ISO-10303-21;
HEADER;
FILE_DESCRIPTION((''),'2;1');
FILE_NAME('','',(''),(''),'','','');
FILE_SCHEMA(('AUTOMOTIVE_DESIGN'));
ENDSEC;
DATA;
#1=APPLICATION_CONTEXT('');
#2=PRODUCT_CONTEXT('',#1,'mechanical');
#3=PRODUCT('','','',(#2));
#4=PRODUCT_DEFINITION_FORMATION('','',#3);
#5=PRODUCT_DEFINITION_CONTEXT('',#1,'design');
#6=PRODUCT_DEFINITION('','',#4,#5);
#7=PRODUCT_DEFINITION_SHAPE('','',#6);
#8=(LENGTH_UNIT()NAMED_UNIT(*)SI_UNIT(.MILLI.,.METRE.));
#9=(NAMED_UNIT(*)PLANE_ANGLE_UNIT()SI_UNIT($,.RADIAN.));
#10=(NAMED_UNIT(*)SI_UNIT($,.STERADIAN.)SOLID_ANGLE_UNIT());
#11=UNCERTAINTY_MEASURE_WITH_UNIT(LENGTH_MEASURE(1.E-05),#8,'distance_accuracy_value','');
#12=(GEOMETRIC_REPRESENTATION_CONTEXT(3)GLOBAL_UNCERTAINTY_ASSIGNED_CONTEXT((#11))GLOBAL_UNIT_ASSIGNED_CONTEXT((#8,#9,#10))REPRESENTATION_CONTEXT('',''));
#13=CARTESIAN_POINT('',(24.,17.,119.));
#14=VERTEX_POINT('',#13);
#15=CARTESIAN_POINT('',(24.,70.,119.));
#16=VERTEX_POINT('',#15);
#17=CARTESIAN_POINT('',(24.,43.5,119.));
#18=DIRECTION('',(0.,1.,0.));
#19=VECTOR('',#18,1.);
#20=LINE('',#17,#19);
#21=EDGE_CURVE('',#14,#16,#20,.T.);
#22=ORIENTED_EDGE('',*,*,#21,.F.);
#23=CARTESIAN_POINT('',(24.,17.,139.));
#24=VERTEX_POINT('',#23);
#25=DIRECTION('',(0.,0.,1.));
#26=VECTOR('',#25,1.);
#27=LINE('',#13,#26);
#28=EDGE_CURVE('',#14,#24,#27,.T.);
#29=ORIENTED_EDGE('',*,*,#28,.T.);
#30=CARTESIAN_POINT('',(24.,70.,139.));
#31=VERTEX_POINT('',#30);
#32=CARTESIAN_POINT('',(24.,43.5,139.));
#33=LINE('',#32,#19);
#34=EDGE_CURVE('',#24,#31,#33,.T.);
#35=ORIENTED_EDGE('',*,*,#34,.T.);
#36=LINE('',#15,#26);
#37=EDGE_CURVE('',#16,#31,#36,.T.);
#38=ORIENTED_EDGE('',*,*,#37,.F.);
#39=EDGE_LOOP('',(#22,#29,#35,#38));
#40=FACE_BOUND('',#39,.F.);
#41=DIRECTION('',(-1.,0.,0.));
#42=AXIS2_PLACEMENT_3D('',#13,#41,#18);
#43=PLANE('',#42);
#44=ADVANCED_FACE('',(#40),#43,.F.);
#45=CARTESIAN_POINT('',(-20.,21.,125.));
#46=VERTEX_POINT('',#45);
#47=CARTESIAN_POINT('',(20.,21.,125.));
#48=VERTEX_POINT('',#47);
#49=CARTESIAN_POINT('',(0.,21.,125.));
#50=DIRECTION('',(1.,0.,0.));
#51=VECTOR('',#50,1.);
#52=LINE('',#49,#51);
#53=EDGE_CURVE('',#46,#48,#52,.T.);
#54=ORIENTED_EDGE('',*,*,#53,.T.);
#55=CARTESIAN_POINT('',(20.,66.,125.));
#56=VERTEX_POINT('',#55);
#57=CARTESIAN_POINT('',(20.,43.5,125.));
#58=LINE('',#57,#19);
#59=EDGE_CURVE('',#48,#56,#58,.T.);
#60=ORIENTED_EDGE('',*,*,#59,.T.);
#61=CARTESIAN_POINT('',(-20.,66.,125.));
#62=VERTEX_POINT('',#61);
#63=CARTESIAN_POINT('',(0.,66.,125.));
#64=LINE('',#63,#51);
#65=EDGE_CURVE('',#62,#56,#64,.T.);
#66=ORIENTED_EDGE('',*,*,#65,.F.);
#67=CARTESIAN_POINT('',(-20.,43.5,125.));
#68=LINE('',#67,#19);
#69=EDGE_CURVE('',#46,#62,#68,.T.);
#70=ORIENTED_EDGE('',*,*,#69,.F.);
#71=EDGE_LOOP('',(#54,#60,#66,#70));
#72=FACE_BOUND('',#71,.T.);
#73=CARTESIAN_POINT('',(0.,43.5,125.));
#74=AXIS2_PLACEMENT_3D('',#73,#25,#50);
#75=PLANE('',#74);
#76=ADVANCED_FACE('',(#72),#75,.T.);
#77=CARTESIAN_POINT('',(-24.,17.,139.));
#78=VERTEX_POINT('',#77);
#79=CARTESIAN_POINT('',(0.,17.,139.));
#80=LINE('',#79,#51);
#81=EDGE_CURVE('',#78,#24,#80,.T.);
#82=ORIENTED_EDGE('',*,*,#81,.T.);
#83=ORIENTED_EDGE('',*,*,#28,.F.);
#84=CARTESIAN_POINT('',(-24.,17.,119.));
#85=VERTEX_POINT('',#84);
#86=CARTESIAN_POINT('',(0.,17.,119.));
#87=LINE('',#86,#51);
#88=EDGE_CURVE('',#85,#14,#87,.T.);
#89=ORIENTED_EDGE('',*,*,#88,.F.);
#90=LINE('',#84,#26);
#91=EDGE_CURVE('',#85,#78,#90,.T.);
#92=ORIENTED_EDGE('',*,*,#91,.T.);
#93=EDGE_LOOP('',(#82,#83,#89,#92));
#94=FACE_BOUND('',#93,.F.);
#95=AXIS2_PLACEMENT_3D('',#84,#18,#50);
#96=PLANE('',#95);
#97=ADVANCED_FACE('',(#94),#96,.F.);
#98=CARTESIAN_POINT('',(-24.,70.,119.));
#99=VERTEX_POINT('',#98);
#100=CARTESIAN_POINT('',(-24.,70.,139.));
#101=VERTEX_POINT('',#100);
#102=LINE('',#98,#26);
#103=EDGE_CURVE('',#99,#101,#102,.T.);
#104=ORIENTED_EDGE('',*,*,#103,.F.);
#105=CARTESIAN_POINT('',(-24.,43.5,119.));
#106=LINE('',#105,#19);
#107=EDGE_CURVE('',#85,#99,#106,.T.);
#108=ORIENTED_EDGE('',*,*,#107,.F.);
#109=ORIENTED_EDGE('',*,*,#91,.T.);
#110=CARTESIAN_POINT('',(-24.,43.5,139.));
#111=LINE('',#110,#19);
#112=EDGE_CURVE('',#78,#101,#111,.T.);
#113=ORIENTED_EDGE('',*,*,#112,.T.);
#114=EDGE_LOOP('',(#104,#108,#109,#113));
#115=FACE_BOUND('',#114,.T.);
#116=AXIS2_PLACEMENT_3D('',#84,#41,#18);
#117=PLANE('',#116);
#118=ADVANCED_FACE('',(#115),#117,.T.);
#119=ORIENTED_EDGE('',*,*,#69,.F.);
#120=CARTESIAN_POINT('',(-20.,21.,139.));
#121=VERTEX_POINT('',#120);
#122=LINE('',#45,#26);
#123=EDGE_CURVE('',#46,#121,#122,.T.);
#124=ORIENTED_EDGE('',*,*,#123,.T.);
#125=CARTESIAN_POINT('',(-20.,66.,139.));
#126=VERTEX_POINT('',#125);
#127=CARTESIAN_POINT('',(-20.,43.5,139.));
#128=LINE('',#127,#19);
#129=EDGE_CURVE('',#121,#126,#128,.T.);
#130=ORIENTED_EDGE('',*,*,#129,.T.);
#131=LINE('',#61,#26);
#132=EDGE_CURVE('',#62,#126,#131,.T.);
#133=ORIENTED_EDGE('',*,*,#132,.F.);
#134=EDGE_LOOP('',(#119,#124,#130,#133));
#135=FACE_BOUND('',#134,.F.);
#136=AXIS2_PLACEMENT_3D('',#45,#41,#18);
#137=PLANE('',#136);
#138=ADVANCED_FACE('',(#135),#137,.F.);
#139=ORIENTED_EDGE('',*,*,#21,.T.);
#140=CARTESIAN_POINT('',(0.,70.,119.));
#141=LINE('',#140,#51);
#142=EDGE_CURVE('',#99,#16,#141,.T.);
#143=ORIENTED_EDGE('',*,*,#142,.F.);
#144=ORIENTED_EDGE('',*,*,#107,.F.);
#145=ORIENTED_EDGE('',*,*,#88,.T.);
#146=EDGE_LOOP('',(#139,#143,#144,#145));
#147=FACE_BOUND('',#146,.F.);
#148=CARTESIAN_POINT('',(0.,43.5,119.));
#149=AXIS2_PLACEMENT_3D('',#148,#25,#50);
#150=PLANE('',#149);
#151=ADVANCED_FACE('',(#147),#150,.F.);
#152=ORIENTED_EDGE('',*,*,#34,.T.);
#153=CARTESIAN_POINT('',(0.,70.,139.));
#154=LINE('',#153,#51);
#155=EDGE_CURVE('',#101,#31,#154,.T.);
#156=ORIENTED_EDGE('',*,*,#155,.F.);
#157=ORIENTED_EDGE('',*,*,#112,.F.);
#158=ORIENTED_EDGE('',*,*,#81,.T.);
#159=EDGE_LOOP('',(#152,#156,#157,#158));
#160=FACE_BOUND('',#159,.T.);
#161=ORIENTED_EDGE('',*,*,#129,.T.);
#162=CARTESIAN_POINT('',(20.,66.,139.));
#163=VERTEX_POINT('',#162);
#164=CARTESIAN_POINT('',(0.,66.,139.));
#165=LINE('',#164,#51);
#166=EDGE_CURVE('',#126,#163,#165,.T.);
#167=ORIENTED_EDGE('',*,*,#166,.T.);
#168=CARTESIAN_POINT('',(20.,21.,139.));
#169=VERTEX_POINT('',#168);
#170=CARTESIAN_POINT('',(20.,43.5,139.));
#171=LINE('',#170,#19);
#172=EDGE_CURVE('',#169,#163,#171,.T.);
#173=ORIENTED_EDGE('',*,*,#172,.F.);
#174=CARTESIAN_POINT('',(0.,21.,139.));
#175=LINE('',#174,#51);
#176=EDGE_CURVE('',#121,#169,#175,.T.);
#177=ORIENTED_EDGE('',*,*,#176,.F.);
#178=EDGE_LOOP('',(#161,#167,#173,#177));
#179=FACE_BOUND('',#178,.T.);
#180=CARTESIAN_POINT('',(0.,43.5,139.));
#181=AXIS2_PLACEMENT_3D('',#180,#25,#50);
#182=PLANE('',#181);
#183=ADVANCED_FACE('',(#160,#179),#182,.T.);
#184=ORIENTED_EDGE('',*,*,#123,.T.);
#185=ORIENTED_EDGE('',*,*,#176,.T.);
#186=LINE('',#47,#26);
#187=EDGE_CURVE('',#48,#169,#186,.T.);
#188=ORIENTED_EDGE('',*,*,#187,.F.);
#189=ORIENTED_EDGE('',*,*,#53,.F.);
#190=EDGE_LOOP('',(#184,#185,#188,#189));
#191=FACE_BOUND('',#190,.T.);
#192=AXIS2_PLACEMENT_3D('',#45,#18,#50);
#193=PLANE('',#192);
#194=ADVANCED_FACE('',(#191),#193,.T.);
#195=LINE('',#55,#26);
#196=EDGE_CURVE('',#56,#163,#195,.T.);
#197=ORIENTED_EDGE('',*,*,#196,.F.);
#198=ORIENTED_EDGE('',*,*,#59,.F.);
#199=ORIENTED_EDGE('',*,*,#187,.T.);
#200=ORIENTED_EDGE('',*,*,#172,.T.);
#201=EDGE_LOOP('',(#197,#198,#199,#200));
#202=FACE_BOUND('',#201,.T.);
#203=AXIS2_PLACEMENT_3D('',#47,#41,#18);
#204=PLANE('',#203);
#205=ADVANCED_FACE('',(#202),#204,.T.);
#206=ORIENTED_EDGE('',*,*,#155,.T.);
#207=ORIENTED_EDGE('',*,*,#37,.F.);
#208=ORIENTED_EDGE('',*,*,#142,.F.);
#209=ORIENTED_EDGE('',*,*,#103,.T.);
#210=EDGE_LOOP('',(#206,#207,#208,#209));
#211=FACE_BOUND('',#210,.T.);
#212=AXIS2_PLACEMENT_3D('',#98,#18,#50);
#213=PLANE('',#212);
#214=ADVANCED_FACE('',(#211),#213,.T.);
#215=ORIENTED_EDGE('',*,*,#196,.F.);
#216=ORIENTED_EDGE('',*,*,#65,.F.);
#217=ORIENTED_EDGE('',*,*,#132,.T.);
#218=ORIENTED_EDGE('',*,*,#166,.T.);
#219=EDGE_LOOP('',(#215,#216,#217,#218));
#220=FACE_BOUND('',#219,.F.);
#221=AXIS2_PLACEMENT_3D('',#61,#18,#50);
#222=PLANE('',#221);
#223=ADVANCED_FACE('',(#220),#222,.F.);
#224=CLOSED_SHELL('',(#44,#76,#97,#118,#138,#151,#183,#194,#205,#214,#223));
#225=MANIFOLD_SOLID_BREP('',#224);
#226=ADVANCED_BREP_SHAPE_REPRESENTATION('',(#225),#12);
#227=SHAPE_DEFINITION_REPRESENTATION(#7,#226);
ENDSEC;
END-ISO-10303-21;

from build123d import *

# Parameters (mm, degrees)
BOX_W        = 40
BOX_H        = 45
BOX_DEPTH    = 14
BOX004_W     = 48
BOX004_H     = 53
BOX004_DEPTH = 20


with BuildPart() as box:
    # Box → Box (new body)
    with BuildSketch(Plane(origin=(-20, 15, 156), x_dir=(1, 0, 0), z_dir=(0, 0, 1))):
        with Locations((20, 22.5)):
            Rectangle(BOX_W, BOX_H)
    extrude(amount=BOX_DEPTH)


with BuildPart() as as7265hold:
    # Box004 → Box004 (new body)
    with BuildSketch(Plane(origin=(-24, 11, 150), x_dir=(1, 0, 0), z_dir=(0, 0, 1))):
        with Locations((24, 26.5)):
            Rectangle(BOX004_W, BOX004_H)
    extrude(amount=BOX004_DEPTH)

    # Cut001: cut Box
    add(box.part, mode=Mode.SUBTRACT)


with BuildPart() as as7265hold_1:
    # Cut001 placement: moved
    add(as7265hold.part.moved(Location((0, 6, -31))))


solid = as7265hold_1.part
